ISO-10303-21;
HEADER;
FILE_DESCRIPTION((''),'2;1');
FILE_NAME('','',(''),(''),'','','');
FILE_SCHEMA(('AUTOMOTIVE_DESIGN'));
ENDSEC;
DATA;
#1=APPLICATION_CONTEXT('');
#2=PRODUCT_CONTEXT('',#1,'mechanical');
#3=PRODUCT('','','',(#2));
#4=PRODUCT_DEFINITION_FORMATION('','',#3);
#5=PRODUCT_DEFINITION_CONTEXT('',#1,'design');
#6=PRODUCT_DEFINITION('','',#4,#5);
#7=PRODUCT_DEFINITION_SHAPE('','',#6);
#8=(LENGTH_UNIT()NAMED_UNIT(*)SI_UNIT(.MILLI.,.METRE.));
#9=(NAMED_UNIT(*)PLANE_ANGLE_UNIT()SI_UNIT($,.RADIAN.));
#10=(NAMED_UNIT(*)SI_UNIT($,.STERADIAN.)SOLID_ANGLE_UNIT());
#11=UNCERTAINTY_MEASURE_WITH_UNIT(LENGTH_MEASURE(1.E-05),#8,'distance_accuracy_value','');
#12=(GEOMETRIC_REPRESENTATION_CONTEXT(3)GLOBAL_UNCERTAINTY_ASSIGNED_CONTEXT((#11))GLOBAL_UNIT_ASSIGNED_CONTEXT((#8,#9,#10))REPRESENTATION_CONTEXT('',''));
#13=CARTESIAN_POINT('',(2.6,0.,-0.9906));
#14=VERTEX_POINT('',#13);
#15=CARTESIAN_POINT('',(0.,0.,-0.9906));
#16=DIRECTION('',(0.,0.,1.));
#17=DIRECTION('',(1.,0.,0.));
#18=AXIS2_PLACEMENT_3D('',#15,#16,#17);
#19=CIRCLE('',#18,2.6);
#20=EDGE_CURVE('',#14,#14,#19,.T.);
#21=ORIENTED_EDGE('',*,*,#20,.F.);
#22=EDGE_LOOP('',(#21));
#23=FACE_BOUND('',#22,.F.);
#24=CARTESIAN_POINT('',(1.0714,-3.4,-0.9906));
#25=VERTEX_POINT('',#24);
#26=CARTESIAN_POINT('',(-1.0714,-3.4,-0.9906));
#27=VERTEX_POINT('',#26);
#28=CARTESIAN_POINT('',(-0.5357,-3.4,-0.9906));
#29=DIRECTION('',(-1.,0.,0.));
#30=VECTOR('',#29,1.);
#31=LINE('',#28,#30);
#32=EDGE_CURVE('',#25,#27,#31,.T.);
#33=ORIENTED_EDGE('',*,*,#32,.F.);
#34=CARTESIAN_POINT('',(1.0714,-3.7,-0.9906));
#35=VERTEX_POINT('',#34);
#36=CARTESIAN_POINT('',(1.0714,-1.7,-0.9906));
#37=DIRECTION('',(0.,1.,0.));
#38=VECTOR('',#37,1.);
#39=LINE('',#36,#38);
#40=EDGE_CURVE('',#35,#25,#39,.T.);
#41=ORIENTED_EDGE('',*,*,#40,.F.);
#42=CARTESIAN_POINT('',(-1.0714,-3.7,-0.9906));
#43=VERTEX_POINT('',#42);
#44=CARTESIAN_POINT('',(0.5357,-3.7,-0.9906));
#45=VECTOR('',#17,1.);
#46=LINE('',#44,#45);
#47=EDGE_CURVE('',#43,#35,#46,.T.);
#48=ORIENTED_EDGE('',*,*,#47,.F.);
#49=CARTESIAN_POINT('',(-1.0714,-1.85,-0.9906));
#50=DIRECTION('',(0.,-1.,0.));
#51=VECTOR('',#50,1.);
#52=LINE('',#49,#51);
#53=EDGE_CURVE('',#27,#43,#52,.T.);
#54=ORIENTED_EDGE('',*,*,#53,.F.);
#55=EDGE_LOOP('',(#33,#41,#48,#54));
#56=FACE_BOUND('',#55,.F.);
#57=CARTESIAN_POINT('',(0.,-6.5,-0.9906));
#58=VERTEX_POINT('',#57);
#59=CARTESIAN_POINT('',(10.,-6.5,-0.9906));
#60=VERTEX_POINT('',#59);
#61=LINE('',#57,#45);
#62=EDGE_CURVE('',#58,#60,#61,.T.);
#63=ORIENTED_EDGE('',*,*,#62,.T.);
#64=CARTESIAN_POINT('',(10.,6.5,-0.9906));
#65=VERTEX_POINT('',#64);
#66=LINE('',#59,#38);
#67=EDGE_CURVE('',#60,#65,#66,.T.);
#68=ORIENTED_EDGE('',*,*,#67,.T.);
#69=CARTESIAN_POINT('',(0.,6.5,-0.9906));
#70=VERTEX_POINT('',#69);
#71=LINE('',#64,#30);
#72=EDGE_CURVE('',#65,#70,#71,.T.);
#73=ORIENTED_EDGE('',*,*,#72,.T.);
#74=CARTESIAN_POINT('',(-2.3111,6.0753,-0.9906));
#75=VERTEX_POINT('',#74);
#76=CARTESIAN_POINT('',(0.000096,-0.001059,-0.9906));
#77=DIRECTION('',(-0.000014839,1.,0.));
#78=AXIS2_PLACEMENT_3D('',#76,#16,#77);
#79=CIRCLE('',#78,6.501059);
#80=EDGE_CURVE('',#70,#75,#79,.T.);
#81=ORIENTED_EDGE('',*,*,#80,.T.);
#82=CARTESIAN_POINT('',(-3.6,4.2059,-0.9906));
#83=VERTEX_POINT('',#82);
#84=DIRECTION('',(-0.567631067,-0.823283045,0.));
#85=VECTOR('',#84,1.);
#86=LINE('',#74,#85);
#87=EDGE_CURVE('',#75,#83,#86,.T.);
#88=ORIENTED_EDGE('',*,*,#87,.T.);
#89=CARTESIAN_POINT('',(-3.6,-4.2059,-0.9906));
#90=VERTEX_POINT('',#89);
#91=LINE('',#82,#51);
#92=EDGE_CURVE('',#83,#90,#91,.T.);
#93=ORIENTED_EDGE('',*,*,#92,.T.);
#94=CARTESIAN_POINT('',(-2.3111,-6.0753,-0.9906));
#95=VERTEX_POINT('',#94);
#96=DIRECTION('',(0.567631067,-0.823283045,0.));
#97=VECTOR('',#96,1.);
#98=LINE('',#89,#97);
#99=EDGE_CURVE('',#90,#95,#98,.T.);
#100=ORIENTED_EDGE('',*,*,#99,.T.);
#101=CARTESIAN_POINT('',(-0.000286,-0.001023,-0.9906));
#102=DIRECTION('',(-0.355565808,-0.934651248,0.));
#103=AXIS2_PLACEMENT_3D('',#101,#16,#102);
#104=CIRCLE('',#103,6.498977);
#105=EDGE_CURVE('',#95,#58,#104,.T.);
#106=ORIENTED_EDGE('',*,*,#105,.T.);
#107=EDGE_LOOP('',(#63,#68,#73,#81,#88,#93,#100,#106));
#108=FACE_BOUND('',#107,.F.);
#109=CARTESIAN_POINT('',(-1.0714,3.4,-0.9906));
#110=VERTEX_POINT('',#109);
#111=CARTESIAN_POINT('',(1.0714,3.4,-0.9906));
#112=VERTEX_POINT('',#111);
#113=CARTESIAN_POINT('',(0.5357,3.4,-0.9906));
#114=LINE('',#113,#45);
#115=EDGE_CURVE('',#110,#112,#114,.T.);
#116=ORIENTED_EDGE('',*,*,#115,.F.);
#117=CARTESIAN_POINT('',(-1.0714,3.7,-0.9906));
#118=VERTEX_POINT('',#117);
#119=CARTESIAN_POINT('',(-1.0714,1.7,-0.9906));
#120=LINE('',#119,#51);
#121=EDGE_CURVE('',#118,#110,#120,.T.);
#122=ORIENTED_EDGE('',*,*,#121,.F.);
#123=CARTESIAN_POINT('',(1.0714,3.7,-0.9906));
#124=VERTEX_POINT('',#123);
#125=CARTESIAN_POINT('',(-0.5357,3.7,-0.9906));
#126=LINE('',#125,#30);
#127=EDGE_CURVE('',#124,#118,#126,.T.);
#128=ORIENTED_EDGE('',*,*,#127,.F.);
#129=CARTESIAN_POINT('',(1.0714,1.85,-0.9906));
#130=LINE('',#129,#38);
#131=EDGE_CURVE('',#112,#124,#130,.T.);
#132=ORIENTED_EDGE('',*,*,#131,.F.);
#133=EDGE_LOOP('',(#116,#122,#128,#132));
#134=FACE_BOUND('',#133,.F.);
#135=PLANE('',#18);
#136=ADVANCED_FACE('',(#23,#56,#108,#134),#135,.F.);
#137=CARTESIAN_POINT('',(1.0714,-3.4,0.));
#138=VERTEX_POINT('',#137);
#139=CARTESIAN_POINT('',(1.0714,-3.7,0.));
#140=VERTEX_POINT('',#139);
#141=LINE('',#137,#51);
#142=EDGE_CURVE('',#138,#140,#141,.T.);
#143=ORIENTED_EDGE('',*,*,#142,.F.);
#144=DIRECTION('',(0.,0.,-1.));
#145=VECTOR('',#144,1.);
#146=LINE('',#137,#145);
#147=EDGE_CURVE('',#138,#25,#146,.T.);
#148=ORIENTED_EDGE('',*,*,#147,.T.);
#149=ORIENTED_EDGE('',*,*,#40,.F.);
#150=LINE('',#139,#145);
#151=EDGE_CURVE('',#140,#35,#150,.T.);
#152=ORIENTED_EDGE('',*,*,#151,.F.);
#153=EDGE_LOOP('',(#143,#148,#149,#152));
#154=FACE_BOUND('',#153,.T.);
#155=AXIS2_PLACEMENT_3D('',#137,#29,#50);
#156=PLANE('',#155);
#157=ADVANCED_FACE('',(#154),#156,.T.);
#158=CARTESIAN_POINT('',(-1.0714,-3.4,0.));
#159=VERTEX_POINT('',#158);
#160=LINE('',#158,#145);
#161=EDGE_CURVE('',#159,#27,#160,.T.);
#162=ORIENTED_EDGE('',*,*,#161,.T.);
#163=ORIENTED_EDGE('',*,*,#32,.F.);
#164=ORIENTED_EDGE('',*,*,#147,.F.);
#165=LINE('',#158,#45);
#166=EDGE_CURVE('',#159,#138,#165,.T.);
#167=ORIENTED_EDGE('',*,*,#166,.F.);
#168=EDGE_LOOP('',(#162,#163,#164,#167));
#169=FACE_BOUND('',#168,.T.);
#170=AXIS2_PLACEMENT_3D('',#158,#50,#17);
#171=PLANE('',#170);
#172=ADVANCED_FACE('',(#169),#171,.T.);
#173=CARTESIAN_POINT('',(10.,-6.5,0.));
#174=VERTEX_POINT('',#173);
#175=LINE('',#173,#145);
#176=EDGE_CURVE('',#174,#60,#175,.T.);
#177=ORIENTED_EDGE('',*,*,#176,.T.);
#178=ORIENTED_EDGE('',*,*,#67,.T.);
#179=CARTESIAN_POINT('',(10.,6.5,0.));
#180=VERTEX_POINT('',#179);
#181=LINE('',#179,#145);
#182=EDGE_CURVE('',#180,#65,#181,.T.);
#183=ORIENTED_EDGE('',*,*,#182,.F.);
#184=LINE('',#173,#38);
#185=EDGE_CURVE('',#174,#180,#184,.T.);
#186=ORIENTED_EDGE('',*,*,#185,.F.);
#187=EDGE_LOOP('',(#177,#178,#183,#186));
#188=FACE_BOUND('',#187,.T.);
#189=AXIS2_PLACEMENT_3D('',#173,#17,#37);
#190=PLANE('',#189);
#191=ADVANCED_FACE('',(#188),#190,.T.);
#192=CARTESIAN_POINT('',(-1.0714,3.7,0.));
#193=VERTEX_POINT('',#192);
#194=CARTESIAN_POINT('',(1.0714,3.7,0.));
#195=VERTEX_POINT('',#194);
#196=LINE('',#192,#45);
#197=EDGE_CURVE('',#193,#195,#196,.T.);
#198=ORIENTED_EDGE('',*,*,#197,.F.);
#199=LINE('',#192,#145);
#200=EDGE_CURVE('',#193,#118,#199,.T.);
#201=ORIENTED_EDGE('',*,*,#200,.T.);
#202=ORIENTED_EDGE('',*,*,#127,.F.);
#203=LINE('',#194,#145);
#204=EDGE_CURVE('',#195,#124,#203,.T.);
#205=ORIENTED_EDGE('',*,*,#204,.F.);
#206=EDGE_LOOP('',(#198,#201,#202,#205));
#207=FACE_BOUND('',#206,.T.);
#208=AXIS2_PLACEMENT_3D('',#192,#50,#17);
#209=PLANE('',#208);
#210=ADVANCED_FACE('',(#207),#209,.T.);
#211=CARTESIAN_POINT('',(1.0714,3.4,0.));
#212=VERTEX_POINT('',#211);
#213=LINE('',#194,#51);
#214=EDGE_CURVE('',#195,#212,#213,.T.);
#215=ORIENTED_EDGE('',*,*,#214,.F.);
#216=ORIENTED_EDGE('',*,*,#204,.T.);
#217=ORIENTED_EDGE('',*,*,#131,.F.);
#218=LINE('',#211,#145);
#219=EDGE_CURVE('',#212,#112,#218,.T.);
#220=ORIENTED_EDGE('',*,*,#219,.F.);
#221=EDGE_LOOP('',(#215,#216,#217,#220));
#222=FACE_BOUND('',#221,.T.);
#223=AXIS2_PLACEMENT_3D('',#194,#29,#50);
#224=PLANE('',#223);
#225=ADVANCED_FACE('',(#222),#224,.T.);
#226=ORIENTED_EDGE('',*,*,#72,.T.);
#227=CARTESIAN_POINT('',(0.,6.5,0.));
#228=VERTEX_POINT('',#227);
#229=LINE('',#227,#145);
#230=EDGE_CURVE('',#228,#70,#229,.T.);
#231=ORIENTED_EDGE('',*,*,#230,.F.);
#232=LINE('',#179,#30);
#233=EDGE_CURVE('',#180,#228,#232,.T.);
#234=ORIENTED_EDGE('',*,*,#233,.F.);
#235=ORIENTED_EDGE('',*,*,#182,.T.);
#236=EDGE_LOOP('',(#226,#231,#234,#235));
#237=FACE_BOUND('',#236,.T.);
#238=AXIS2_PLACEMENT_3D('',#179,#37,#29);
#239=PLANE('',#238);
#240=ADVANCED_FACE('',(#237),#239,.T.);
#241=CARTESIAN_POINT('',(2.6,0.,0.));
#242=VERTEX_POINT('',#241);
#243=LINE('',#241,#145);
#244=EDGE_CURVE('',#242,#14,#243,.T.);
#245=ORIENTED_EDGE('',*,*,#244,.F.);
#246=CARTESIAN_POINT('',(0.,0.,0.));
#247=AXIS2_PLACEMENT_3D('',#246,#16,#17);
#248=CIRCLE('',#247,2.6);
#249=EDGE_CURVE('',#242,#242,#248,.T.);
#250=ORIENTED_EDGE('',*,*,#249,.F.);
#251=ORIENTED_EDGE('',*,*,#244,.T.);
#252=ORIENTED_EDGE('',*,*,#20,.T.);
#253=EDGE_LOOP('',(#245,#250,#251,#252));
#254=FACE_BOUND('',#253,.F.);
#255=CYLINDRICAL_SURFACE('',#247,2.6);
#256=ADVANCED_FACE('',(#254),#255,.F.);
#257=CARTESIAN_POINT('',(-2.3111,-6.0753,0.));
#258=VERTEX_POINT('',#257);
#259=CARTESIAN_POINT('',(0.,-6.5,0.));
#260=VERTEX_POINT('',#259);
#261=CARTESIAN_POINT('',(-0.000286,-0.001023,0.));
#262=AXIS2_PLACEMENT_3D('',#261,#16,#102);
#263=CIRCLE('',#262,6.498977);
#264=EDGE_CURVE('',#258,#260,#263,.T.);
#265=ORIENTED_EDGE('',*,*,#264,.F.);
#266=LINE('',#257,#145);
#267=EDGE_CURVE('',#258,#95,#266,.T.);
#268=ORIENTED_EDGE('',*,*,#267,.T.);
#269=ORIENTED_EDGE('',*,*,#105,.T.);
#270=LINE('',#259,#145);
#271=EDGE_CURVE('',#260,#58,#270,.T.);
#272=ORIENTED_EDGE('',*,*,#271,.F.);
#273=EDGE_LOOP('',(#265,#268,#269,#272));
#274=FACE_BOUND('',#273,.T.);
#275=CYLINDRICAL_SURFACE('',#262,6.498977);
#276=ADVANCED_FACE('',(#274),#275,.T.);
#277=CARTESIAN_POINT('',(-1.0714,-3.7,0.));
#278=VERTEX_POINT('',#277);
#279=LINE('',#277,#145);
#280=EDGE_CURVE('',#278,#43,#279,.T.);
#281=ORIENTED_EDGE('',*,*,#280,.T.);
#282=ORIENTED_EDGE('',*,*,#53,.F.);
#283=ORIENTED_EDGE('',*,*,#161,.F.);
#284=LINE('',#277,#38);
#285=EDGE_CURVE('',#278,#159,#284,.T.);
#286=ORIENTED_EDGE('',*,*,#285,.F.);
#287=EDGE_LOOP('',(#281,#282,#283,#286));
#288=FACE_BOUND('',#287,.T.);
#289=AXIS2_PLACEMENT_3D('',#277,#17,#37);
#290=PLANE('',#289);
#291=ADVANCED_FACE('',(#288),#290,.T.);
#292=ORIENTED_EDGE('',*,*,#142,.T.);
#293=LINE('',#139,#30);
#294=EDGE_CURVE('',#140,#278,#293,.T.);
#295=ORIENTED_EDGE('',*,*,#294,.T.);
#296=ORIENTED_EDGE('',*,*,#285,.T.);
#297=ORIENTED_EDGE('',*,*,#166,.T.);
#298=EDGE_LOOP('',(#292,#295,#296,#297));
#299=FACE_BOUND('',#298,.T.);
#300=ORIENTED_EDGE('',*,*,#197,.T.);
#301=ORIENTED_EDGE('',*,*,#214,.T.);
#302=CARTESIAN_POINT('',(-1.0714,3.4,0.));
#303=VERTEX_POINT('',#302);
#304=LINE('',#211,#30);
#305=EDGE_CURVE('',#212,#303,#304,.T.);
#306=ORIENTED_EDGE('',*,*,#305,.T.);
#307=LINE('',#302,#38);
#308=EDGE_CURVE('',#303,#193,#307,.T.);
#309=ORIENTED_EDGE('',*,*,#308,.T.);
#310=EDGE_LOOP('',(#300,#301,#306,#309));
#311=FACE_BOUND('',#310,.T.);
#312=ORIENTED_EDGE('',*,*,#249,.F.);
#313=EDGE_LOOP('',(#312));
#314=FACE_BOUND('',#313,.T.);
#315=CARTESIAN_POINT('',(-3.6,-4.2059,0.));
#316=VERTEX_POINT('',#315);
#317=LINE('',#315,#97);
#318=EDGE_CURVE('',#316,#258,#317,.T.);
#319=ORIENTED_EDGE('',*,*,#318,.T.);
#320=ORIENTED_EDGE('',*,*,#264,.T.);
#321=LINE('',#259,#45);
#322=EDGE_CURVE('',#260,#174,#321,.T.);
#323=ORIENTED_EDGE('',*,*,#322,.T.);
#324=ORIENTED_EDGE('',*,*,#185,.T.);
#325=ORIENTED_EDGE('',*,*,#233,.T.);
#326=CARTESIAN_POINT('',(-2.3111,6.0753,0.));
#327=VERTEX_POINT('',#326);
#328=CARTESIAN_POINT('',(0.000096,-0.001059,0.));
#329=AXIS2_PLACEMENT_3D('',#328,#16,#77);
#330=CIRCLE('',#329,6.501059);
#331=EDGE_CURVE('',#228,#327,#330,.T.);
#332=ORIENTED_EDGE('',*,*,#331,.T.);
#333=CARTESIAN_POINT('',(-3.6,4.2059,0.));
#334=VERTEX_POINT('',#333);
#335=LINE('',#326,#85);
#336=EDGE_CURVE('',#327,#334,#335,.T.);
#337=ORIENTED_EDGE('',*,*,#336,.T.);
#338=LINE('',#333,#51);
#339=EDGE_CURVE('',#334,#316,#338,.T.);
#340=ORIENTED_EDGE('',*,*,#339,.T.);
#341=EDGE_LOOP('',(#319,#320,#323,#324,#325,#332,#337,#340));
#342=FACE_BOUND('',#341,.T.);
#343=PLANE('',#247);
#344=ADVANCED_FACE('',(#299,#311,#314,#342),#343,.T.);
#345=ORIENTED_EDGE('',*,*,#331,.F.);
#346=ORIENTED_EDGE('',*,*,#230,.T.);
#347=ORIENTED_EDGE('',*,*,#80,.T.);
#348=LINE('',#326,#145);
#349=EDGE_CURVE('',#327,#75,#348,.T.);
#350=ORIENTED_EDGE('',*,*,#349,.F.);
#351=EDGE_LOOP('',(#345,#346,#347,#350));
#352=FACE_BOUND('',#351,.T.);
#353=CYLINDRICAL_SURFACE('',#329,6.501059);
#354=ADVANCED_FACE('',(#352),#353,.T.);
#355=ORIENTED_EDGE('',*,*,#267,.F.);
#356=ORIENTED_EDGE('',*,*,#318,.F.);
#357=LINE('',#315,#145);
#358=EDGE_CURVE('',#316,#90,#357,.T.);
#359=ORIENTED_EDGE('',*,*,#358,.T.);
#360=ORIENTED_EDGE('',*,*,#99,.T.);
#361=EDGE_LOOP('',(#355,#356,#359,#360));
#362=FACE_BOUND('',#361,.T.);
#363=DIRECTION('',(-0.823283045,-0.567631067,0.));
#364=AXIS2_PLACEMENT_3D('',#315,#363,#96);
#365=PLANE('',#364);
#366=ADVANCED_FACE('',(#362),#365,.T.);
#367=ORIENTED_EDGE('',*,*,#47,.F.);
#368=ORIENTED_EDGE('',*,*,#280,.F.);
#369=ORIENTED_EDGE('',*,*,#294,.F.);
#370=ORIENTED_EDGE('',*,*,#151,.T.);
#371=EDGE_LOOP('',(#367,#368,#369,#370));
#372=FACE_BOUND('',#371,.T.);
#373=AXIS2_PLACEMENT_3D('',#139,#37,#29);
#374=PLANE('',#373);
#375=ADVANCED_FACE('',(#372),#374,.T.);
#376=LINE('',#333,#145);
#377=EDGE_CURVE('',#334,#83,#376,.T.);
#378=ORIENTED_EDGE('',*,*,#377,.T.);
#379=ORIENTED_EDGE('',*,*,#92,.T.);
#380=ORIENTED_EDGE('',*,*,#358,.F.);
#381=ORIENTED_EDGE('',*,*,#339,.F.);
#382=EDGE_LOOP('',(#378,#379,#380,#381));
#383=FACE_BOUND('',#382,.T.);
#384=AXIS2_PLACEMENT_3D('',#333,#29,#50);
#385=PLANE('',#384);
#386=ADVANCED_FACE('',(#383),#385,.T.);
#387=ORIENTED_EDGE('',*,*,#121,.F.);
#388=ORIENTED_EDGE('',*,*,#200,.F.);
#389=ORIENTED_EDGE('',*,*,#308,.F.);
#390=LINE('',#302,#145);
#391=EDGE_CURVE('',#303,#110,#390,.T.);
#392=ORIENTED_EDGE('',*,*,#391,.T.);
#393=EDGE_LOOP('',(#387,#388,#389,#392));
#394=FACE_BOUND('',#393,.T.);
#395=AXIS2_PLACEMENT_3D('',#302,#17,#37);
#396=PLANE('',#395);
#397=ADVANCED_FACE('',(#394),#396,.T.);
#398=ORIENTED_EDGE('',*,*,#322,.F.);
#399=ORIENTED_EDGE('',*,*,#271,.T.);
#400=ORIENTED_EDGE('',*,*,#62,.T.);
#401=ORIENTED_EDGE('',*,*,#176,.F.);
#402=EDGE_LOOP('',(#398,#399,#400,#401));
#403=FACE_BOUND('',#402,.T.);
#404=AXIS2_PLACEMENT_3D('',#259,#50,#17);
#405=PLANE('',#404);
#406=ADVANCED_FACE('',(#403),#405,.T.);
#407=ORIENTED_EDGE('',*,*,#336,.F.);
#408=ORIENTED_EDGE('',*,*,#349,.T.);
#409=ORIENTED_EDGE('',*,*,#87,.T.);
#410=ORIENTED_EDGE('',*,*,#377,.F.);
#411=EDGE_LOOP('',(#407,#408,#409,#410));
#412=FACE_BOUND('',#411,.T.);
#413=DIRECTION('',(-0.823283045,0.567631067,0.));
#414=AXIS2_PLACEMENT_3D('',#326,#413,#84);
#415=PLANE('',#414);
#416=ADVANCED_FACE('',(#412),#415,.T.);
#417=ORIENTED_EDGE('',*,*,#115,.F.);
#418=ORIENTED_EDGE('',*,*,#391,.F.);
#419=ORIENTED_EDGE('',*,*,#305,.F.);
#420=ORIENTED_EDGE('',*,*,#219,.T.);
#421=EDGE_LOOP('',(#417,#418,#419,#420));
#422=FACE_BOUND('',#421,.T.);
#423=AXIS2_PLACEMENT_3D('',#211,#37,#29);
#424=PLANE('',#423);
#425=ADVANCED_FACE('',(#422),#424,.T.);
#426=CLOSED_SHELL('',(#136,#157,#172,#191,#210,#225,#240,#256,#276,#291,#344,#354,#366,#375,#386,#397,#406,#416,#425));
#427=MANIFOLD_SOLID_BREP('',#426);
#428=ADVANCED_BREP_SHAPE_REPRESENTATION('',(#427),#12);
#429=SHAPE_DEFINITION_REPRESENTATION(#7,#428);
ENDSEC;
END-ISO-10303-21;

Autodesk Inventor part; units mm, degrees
ref_plane "YZ Plane" through (0, 0, 0) normal (1, 0, 0) x (0, 1, 0)
ref_plane "XZ Plane" through (0, 0, 0) normal (0, 1, 0) x (-1, 0, 0)
ref_plane "XY Plane" through (0, 0, 0) normal (0, 0, 1) x (1, 0, 0)
sketch "Sketch1" plane through (0, 0, 0) normal (0, 0, 1) x (1, 0, 0)
  line L0 (-3.6, 4.2059) -> (-3.6, -4.2059)
  line L1 (-3.6, -4.2059) -> (-2.3111, -6.0753)
  arc A0 (-2.3111, -6.0753) -> (0, -6.5) centre (0, 0) ccw
  line L2 (0, -6.5) -> (10, -6.5)
  line L3 (10, -6.5) -> (10, 6.5)
  line L4 (10, 6.5) -> (0, 6.5)
  arc A1 (0, 6.5) -> (-2.3111, 6.0753) centre (0, 0) ccw
  line L5 (-2.3111, 6.0753) -> (-3.6, 4.2059)
  circle A2 centre (0, 0) radius 2.6
extrude "Extrusion1" add sketch "Sketch1" against normal blind 0.9906
sketch "Sketch2" plane through (0, 0, 0) normal (0, 0, 1) x (1, 0, 0)
  line L0 (-1.0714, 3.7) -> (1.0714, 3.7) projected
  line L1 (-1.0714, 3.4) -> (-1.0714, 3.7) projected
  line L2 (1.0714, 3.4) -> (-1.0714, 3.4) projected
  line L3 (1.0714, 3.7) -> (1.0714, 3.4) projected
  line L4 (-1.0714, -3.4) -> (1.0714, -3.4) projected
  line L5 (-1.0714, -3.7) -> (-1.0714, -3.4) projected
  line L6 (1.0714, -3.7) -> (-1.0714, -3.7) projected
  line L7 (1.0714, -3.4) -> (1.0714, -3.7) projected
extrude "Extrusion2" cut sketch "Sketch2" against normal up to next
properties part number "276-2181-012 Rev1" material "Steel"
